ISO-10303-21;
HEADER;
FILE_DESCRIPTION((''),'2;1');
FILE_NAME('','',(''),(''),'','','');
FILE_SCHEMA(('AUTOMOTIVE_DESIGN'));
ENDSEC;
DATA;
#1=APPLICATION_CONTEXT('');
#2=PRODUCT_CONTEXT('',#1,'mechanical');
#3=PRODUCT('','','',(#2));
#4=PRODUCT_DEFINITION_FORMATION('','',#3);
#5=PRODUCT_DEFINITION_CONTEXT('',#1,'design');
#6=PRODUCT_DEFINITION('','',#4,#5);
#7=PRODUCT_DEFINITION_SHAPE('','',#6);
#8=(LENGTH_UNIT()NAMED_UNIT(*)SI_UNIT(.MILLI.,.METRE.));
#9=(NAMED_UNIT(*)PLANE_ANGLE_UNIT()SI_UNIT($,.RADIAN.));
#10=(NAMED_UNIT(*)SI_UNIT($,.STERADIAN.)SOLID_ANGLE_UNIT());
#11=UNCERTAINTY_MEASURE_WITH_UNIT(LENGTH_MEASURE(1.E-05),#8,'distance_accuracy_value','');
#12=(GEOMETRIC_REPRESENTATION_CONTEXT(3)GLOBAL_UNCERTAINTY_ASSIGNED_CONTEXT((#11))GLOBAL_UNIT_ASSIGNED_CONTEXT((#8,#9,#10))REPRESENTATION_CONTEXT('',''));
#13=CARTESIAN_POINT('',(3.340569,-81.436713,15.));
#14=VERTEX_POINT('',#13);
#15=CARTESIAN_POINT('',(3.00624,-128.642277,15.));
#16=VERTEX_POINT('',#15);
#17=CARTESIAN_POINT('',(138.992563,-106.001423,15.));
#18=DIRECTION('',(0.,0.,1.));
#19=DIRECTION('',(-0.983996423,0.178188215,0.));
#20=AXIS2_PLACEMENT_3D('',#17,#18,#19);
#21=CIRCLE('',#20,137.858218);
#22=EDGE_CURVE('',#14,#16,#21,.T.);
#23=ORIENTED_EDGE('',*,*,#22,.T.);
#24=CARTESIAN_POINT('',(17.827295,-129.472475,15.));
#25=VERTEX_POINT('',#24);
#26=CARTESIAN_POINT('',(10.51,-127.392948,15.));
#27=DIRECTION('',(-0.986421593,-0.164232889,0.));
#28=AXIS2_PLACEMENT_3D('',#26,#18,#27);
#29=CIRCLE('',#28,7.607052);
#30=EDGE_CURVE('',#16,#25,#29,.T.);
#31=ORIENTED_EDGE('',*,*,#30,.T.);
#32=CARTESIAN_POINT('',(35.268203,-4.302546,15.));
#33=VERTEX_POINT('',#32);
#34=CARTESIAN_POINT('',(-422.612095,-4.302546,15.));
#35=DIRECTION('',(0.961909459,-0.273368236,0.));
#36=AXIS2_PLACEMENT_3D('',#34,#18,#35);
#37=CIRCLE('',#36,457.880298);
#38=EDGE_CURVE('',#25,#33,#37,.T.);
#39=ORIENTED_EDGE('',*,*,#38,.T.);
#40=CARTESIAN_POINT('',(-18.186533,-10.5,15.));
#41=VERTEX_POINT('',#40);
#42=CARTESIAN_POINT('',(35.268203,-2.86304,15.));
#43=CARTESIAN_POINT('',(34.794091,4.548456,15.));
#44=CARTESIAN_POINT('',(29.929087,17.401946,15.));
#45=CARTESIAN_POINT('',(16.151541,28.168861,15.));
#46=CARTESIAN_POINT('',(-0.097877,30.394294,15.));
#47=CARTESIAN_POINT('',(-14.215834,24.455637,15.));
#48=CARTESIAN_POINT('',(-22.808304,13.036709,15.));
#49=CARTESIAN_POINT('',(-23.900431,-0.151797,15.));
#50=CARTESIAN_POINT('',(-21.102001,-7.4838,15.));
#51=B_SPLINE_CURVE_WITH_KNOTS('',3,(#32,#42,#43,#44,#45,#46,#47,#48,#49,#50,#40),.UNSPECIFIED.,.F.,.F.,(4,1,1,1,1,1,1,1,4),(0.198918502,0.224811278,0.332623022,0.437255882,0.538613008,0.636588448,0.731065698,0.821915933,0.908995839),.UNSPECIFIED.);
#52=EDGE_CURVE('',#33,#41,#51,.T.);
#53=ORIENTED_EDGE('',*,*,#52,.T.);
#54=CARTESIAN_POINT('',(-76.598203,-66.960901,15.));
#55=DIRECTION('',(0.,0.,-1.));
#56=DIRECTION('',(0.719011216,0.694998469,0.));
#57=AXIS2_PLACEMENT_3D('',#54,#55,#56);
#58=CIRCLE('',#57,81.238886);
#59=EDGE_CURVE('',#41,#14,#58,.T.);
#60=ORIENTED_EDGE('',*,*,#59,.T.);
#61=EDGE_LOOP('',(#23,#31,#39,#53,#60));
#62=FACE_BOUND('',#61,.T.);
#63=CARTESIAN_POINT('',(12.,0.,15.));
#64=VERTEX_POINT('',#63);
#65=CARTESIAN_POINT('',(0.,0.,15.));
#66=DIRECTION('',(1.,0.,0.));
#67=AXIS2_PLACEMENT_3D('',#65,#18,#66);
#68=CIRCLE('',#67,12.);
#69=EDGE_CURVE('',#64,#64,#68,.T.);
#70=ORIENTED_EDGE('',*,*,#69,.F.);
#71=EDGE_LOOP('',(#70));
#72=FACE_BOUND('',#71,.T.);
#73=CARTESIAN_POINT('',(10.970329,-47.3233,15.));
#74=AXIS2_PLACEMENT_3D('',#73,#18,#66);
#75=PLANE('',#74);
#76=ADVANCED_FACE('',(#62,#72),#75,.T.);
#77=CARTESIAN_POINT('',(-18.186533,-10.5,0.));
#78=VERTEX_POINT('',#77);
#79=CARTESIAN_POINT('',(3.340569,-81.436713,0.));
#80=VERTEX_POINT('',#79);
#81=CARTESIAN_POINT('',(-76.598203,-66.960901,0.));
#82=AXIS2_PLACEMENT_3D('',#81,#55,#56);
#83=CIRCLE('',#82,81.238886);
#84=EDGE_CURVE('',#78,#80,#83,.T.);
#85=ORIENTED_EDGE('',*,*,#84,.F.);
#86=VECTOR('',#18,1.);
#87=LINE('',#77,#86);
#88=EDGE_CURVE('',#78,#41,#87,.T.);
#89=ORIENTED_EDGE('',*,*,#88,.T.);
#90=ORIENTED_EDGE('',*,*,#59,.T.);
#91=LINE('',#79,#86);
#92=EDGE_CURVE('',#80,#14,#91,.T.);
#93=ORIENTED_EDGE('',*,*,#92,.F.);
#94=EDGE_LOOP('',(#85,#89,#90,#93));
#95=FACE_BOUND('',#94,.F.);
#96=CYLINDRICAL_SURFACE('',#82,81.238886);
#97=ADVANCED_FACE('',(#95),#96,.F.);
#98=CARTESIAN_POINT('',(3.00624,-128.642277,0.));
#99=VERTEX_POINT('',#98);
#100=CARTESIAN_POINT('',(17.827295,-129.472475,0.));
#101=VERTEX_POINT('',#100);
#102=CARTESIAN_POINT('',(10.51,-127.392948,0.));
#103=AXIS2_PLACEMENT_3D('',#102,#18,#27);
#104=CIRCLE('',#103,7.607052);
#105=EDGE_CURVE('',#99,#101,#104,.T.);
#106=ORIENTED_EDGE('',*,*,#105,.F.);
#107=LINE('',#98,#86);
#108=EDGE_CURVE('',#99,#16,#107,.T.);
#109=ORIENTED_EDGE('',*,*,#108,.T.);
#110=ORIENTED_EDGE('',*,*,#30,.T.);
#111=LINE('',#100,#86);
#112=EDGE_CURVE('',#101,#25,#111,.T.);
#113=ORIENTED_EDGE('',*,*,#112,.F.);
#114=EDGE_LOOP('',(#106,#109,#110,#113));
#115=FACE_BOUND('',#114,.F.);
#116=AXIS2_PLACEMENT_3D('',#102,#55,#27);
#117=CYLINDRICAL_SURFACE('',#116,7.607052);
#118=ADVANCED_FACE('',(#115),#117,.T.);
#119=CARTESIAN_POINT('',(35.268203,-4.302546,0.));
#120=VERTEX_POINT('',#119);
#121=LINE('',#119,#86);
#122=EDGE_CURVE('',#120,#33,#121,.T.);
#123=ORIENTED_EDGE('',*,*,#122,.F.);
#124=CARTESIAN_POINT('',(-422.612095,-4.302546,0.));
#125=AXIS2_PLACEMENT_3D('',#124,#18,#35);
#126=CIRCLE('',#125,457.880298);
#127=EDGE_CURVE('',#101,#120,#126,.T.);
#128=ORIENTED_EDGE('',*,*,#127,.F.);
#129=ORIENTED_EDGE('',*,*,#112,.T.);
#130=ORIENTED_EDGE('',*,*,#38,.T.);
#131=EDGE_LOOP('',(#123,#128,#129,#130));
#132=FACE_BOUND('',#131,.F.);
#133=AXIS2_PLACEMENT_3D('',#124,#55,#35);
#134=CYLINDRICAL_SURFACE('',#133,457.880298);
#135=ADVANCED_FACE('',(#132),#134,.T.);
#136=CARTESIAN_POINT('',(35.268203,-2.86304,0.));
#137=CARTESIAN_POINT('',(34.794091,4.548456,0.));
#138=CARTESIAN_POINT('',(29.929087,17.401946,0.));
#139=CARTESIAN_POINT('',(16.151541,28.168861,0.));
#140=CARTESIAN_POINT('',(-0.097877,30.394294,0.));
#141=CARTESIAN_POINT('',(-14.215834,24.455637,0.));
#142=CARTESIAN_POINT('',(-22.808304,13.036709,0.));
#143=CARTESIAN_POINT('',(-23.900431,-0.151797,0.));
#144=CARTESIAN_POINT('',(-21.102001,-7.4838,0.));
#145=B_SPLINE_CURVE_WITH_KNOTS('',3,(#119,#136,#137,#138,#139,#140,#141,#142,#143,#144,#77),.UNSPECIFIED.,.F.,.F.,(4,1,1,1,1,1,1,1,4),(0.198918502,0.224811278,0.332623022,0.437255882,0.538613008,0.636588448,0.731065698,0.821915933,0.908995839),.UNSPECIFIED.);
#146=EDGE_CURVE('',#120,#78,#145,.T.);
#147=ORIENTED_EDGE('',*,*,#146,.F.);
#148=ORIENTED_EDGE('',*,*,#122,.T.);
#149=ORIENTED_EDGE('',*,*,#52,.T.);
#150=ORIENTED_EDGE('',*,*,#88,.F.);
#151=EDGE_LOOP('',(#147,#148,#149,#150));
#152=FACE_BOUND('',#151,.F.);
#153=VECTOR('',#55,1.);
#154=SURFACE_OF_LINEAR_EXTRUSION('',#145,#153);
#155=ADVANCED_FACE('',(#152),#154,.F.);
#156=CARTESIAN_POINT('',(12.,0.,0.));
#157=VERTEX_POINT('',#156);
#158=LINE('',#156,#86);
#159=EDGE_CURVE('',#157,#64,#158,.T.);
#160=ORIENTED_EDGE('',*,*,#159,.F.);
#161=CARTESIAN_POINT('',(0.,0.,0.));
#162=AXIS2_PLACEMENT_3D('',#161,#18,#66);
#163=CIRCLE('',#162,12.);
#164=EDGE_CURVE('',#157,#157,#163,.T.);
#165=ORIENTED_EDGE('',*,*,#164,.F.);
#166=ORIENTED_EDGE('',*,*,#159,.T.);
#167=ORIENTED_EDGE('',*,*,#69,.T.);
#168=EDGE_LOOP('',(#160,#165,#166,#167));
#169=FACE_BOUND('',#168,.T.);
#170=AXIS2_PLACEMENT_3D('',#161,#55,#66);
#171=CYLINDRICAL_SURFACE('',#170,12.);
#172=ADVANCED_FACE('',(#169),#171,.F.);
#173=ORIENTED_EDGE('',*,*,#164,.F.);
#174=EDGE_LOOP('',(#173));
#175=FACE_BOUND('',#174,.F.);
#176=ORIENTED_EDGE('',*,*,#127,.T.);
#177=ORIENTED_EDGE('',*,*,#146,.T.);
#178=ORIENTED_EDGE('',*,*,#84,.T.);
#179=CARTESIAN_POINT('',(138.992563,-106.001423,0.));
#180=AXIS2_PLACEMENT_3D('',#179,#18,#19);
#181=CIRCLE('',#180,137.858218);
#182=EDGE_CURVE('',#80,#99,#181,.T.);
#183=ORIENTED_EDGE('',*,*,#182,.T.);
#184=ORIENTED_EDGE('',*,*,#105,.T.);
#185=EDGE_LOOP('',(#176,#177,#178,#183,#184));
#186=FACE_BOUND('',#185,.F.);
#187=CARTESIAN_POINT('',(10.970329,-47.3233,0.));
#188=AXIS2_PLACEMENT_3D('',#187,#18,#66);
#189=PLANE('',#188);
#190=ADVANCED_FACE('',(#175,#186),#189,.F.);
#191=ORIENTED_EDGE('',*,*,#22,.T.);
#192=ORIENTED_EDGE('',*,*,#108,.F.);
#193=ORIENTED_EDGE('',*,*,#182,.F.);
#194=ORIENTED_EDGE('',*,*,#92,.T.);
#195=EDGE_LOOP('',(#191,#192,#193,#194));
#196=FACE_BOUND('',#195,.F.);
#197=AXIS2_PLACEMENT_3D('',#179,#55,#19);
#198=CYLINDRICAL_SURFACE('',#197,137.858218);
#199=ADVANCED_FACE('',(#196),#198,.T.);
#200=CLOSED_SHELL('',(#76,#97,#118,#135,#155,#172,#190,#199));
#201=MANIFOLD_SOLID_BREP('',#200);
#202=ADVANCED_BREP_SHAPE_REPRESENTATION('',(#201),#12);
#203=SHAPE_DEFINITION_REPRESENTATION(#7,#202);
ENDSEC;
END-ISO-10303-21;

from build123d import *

# Parameters (mm, degrees)
F1_R     = 12
F2_DEPTH = 15


with BuildPart() as f2:
    # F1 (on face) → F2 (new body)
    with BuildSketch(Plane.XY):
        with BuildLine():
            ThreePointArc((17.8272945993, -129.4724747228), (30.8870152167, -67.4921341785), (35.2682027622, -4.3025455402))
            add(Edge.make_bspline(
                [(35.2682027622, -4.3025455402), (35.2682027622, -2.8630395725), (34.7940906326, 4.5484558025), (29.9290871814, 17.4019463757), (16.1515405759, 28.168861008), (-0.0978770248, 30.3942939385), (-14.2158344876, 24.4556370199), (-22.8083044544, 13.0367090709), (-23.9004306853, -0.1517972714), (-21.1020014845, -7.483800271), (-18.1865334795, -10.5)],
                knots=[0.1989185015, 0.1989185015, 0.1989185015, 0.1989185015, 0.2248112778, 0.3326230217, 0.4372558817, 0.5386130078, 0.6365884477, 0.7310656976, 0.8219159332, 0.9089958388, 0.9089958388, 0.9089958388, 0.9089958388], degree=3))
            ThreePointArc((-18.1865334795, -10.5), (1.139918362, -43.3697806371), (3.3405694731, -81.4367131981))
            ThreePointArc((3.3405694731, -81.4367131981), (1.1378022248, -105.0250778662), (3.0062398837, -128.6422765143))
            ThreePointArc((3.0062398837, -128.6422765143), (10.0845593286, -134.9880938543), (17.8272945993, -129.4724747228))
        make_face()
        Circle(F1_R, mode=Mode.SUBTRACT)
    extrude(amount=F2_DEPTH)


solid = f2.part
